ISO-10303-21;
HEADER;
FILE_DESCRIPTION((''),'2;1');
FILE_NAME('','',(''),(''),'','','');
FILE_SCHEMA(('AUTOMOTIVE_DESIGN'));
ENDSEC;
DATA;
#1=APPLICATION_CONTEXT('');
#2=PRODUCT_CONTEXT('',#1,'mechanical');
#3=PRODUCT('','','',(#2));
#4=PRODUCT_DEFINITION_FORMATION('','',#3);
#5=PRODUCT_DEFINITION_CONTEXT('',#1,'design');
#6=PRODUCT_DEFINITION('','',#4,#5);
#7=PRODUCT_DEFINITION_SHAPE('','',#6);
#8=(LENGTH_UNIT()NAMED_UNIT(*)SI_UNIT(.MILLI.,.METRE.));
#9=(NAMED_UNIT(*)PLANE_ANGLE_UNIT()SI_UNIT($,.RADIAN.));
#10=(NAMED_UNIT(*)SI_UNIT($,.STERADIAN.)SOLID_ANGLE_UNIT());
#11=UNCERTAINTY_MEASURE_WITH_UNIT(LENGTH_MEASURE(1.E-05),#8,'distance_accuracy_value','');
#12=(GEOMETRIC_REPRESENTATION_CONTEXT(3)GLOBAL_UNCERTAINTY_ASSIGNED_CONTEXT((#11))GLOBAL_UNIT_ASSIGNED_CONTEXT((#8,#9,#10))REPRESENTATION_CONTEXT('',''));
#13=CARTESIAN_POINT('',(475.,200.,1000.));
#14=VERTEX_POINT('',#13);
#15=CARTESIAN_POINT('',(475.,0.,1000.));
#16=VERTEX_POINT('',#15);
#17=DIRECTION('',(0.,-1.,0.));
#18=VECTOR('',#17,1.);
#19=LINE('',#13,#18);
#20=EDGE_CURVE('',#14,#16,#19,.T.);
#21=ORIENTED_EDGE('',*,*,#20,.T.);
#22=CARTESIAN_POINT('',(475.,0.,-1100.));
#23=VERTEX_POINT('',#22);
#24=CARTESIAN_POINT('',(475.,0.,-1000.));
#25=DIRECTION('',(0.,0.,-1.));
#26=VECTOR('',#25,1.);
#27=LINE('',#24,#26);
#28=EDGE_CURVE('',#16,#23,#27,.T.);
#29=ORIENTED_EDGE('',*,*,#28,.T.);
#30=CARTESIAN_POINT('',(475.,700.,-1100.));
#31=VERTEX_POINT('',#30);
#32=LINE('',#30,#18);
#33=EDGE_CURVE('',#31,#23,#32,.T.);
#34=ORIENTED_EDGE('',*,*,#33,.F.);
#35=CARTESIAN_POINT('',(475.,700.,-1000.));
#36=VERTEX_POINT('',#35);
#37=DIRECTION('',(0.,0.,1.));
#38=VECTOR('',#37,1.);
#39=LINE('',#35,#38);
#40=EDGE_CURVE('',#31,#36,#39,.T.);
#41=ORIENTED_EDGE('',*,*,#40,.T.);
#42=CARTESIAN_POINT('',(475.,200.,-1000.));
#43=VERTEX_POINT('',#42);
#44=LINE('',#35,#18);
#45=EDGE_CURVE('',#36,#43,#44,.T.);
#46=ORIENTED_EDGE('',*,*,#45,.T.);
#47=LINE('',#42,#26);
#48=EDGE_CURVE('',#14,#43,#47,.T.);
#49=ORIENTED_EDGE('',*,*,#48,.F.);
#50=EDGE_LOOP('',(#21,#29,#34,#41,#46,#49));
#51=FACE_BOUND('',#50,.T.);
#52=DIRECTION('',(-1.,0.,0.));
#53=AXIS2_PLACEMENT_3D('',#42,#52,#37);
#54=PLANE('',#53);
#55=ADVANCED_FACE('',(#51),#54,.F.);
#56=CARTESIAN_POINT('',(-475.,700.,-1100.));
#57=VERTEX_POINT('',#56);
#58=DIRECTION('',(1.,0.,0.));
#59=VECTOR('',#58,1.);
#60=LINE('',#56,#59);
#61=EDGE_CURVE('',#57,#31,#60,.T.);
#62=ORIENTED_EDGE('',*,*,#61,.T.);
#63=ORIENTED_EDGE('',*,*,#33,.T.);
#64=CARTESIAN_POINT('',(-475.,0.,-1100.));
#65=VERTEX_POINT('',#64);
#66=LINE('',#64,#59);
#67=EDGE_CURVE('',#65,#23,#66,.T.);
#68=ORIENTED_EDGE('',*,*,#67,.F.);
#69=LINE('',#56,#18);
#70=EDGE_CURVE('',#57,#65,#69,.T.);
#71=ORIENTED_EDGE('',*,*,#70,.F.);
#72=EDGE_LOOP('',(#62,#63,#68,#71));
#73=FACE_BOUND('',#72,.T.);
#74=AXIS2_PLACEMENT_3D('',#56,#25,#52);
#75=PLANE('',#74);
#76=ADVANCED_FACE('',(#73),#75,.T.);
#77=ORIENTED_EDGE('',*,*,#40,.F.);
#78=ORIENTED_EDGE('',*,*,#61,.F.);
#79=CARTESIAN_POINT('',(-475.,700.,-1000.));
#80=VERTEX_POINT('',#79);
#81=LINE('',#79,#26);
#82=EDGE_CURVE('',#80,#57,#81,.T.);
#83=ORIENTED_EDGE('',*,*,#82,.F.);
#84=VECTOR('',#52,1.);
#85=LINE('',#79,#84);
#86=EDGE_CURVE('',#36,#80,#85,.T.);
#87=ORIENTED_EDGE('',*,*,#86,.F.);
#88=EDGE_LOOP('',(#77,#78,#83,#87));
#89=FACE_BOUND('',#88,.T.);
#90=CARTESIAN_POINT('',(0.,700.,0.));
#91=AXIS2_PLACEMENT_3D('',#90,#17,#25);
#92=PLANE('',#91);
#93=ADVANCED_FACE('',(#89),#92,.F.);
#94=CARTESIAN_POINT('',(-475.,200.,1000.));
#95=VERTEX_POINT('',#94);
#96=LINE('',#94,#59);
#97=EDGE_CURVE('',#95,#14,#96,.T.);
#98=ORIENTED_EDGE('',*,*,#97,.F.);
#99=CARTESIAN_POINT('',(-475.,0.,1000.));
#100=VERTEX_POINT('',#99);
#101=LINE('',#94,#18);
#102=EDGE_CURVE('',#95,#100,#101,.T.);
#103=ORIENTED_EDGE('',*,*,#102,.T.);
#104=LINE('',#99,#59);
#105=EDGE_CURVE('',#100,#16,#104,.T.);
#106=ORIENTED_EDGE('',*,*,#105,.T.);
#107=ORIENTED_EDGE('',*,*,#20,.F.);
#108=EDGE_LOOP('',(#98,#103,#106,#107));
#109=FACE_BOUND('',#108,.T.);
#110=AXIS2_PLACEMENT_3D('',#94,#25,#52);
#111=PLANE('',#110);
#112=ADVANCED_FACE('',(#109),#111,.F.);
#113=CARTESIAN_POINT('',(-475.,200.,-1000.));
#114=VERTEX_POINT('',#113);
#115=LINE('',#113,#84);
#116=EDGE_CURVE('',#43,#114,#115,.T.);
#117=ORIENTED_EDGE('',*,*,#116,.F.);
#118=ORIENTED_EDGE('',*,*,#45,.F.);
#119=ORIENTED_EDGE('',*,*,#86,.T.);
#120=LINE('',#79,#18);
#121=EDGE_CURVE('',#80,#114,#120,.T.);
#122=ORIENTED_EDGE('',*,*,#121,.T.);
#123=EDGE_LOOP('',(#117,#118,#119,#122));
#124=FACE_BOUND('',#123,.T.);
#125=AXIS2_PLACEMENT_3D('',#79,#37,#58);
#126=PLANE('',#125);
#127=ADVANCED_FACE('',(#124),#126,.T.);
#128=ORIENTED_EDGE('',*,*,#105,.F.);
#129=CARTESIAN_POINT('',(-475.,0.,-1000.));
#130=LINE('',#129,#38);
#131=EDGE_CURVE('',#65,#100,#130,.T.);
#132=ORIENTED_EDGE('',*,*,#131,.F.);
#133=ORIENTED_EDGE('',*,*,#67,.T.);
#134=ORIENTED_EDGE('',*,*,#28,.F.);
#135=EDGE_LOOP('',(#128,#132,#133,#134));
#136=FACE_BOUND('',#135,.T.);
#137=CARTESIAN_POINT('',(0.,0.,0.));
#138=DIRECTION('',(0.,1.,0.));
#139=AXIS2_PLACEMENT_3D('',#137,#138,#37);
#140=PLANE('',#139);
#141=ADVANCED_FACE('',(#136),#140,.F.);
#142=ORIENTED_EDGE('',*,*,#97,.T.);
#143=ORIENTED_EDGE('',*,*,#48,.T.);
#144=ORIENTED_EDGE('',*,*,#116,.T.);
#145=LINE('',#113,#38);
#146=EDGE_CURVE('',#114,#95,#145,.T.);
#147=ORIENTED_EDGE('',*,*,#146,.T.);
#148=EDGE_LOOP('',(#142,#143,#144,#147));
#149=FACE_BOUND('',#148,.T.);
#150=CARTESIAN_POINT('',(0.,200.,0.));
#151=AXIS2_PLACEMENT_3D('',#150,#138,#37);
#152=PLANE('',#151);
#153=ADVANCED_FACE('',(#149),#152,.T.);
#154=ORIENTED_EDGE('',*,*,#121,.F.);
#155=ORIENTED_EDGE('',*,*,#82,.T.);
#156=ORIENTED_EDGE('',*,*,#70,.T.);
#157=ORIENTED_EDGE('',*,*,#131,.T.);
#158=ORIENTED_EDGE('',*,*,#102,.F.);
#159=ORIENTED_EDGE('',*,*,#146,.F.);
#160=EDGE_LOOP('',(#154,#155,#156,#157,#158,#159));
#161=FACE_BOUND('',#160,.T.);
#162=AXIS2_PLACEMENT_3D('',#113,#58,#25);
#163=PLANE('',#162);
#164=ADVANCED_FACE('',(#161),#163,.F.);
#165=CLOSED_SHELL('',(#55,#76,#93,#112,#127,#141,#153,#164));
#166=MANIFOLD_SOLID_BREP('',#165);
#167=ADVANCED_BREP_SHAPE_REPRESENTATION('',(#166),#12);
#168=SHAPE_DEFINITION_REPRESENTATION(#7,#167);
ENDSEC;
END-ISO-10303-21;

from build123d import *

# Parameters (mm, degrees)
SKETCH1_W           = 950
SKETCH1_H           = 2000
BOSS_EXTRUDE1_DEPTH = 200
SKETCH2_W           = 950
SKETCH2_H           = 100
BOSS_EXTRUDE2_DEPTH = 700


with BuildPart() as part:
    # Sketch1 → Boss-Extrude1 (new body)
    with BuildSketch(Plane(origin=(0, 0, 0), x_dir=(1, 0, 0), z_dir=(0, 1, 0))):
        Rectangle(SKETCH1_W, SKETCH1_H)
    extrude(amount=BOSS_EXTRUDE1_DEPTH)

    # Sketch2 → Boss-Extrude2 (add)
    with BuildSketch(Plane.XZ):
        with Locations((0, -1050)):
            Rectangle(SKETCH2_W, SKETCH2_H)
    extrude(amount=-BOSS_EXTRUDE2_DEPTH)


solid = part.part
